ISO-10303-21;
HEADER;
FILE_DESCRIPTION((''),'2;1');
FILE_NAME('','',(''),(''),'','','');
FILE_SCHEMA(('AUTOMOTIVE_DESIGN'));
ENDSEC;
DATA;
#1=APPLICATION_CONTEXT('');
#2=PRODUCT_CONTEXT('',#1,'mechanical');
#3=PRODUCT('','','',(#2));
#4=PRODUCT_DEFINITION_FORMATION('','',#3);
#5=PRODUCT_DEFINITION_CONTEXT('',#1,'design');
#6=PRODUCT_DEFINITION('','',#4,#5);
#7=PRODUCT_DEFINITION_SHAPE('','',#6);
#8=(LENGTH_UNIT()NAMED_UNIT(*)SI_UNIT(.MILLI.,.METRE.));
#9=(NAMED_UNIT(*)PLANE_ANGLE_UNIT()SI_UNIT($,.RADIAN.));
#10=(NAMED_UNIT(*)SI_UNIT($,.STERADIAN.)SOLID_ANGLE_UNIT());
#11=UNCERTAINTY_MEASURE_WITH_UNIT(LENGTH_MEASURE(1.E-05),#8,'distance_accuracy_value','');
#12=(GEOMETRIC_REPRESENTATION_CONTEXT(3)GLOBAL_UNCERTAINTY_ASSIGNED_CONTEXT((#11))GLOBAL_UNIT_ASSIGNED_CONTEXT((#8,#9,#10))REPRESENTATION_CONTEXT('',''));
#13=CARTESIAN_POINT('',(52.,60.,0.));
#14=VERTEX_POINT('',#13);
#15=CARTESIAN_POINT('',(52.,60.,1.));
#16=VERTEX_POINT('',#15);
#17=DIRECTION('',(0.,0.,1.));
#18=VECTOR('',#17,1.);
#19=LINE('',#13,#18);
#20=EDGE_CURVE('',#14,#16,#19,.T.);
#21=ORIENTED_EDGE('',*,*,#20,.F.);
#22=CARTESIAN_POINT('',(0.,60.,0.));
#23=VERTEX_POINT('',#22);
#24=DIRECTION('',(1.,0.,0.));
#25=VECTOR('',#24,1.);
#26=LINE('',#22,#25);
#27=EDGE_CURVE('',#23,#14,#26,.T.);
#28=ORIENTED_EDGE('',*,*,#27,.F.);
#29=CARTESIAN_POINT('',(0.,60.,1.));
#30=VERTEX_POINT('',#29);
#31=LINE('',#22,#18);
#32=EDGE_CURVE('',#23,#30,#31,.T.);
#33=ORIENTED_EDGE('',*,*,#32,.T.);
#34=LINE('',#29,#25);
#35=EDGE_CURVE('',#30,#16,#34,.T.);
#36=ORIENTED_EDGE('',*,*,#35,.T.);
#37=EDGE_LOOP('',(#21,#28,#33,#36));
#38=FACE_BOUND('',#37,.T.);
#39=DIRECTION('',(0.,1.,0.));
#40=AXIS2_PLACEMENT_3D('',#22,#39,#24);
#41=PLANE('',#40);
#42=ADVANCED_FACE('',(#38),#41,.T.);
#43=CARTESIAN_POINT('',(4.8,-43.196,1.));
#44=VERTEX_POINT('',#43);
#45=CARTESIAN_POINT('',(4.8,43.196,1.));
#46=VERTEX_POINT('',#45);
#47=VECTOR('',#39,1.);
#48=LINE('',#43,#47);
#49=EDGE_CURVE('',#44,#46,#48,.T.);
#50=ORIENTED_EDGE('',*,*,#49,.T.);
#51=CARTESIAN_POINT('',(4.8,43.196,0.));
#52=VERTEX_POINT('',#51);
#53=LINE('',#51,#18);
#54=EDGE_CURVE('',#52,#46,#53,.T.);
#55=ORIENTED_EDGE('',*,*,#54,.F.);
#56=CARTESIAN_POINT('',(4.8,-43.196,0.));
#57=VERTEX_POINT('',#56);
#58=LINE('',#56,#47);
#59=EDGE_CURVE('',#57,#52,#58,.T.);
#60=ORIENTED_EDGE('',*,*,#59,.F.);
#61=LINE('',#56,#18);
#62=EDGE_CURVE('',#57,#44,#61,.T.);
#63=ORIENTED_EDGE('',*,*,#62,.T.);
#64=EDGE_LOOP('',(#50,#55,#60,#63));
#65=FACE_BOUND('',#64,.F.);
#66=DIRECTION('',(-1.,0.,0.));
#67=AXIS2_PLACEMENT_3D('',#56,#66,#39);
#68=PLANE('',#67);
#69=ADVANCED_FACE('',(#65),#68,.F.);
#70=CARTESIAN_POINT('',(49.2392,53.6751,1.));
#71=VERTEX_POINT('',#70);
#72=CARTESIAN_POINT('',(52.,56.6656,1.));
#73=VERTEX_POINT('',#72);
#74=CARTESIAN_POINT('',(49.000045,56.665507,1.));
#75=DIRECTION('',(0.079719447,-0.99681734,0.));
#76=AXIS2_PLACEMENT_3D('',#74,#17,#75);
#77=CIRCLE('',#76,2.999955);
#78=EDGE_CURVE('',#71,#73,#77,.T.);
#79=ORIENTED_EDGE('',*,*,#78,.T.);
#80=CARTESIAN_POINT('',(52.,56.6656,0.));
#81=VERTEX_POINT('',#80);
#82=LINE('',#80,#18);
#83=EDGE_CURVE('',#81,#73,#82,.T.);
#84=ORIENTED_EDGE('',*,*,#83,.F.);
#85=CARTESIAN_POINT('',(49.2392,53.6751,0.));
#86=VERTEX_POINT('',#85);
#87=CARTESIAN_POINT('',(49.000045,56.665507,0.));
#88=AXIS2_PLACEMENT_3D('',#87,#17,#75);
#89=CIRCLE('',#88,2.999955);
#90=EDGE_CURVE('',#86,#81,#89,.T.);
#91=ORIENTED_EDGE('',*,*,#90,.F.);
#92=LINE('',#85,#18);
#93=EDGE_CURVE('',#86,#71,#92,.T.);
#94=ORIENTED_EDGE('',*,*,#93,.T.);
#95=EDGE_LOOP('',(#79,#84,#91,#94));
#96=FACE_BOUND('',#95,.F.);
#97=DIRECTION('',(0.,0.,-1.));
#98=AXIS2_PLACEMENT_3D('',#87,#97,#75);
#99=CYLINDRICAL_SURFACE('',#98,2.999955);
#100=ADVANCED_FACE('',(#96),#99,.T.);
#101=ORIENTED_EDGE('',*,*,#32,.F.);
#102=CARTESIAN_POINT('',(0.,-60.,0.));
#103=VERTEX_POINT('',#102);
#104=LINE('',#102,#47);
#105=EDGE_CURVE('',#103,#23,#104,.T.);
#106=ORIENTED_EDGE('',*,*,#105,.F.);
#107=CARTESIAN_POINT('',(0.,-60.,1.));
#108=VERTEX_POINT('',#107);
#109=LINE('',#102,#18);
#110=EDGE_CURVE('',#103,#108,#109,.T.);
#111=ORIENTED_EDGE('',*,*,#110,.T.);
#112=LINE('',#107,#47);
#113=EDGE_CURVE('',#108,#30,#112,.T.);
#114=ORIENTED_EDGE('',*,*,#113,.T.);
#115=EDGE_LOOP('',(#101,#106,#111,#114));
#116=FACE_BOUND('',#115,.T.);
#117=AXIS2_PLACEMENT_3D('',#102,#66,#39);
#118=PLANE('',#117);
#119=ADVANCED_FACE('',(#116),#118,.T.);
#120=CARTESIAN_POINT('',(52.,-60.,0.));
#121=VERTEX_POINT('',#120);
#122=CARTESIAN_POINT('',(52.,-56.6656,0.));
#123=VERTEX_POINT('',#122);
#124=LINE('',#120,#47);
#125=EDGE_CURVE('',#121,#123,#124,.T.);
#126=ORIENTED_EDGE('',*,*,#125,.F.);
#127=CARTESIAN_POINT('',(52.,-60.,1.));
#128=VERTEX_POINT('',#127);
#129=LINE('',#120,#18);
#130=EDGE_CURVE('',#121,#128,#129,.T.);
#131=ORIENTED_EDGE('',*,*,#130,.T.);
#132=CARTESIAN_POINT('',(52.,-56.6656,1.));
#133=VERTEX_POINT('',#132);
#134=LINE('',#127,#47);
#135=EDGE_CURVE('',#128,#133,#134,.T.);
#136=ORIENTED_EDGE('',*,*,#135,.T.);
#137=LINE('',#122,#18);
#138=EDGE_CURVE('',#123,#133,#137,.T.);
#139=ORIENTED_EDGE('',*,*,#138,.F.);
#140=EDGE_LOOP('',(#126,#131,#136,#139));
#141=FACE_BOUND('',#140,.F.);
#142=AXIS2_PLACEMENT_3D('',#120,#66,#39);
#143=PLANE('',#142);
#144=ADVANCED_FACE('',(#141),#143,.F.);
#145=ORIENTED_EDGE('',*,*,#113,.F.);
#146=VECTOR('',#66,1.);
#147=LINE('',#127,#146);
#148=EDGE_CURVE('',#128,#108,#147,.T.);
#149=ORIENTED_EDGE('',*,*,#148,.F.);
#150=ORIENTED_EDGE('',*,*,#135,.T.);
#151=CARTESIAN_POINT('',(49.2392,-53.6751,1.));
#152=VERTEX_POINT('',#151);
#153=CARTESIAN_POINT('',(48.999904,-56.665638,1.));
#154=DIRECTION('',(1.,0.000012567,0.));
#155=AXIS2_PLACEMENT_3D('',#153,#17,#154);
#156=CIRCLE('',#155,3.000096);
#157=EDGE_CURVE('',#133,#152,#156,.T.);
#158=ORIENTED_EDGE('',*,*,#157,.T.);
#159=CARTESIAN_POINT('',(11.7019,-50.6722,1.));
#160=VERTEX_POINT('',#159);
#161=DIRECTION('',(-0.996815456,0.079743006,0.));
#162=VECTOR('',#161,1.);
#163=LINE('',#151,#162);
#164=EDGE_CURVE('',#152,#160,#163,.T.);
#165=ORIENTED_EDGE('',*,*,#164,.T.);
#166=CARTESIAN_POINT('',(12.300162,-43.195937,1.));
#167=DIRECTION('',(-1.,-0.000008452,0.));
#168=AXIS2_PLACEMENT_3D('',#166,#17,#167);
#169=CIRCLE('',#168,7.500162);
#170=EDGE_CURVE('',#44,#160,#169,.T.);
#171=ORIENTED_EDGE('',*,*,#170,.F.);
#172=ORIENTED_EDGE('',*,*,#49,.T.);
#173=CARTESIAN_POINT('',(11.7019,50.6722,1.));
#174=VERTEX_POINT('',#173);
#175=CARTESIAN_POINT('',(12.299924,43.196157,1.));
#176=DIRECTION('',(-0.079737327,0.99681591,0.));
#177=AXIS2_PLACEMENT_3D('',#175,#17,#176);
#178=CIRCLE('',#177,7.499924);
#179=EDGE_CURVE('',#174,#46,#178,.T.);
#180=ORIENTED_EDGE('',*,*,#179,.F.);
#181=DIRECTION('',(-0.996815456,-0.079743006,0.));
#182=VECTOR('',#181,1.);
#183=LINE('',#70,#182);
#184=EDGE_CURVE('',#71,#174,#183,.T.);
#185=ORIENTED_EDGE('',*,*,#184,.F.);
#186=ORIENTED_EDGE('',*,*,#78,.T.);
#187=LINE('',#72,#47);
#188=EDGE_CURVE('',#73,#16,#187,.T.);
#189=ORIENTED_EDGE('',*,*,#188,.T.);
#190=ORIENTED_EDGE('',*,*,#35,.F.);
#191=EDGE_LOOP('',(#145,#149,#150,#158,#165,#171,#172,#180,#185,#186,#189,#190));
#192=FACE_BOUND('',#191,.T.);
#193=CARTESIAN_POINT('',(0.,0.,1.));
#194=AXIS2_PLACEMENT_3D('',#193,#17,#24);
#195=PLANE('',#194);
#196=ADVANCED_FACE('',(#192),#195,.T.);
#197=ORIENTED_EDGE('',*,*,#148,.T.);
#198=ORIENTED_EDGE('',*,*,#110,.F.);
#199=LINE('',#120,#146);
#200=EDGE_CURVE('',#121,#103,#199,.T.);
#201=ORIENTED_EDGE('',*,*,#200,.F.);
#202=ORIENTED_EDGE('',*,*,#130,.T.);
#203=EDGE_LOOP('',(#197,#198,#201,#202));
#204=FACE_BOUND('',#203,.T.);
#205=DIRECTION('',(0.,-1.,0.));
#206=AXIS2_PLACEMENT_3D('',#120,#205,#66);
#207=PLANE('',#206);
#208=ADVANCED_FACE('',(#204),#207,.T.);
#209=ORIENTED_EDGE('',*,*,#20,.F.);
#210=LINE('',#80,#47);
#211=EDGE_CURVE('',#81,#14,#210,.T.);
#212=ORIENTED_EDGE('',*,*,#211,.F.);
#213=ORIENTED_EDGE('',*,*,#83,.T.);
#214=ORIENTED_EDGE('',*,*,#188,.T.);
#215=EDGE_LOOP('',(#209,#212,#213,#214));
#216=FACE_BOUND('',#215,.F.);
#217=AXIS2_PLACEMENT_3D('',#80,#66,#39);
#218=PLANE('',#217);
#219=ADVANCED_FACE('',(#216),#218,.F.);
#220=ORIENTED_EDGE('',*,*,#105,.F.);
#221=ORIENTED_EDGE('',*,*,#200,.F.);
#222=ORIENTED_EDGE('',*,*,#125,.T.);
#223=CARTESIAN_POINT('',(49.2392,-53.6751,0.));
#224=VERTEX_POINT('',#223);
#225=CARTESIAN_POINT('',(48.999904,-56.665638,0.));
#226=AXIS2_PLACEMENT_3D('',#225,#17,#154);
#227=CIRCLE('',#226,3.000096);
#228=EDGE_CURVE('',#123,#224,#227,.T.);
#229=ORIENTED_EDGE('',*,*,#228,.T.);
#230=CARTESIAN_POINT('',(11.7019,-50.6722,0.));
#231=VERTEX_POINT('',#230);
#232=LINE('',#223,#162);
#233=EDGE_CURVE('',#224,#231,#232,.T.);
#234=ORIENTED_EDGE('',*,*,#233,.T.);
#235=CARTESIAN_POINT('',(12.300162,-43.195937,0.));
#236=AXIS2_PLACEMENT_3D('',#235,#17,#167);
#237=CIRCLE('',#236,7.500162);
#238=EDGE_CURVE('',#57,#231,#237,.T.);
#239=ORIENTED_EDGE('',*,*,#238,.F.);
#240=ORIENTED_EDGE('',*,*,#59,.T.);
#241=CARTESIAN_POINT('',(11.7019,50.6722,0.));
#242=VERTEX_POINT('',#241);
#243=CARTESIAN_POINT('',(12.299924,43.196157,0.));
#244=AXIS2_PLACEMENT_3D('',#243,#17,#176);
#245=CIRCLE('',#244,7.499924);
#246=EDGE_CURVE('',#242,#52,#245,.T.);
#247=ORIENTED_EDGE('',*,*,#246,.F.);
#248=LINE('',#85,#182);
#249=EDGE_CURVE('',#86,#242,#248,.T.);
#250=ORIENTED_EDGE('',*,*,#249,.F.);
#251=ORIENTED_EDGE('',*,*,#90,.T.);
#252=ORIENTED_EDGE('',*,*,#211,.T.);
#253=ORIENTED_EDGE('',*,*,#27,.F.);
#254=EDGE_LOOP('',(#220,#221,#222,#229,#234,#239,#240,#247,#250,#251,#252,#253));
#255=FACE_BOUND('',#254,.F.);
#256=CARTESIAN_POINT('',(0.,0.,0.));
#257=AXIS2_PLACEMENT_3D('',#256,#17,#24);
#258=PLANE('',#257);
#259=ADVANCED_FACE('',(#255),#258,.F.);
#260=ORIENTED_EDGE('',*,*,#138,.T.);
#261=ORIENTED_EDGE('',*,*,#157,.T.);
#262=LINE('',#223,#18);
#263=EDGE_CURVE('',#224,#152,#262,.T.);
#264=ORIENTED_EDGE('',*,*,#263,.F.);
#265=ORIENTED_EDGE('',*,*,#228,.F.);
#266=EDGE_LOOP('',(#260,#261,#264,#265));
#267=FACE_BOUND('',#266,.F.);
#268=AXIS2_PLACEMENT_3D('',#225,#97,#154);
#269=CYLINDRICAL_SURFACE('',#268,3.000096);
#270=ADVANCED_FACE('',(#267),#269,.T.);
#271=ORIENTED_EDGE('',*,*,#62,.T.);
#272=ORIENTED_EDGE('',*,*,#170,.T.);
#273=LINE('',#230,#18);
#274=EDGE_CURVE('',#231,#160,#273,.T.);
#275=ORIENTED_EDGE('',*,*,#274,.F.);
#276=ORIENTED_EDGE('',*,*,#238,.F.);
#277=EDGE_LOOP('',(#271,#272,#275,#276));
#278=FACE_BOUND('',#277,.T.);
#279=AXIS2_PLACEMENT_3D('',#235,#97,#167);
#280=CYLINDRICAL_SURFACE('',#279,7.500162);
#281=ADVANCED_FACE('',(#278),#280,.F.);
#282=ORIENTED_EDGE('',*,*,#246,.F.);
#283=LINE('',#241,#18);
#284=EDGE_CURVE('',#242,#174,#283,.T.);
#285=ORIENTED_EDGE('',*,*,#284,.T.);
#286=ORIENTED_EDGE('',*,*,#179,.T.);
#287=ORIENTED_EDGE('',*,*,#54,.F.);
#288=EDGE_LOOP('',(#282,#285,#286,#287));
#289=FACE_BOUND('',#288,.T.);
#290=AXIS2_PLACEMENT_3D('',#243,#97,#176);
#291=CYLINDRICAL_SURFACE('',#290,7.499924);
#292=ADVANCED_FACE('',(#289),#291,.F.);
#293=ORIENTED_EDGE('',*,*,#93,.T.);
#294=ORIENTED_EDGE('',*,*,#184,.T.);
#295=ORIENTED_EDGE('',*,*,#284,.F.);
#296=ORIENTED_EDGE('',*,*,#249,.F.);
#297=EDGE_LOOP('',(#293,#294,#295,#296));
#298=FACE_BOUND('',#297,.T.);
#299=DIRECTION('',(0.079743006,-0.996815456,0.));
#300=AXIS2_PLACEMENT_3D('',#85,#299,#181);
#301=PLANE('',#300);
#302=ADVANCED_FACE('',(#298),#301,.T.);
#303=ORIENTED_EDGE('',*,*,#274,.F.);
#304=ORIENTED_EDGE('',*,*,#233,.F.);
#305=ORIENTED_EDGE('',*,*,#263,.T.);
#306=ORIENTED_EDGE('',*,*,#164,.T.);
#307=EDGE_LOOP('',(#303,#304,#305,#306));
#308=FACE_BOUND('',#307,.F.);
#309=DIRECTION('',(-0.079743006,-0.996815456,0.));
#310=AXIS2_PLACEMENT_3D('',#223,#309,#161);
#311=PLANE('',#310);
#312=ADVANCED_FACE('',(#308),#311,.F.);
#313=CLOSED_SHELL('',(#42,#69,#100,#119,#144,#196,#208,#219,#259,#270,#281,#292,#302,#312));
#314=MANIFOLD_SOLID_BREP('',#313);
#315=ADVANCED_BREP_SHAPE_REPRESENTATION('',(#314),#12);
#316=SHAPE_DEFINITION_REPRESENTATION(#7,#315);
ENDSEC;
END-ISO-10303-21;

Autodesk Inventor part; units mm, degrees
ref_plane "YZ Plane" through (0, 0, 0) normal (1, 0, 0) x (0, 1, 0)
ref_plane "Начальная плоскость" through (0, 0, 0) normal (0, 0, 1) x (1, 0, 0)
ref_plane "Конечная плоскость" through (0, 0, 1) normal (0, 0, 1) x (1, 0, 0)
sketch "Эскиз2" plane through (0, 0, 0) normal (0, 0, 1) x (1, 0, 0)
  line L0 (52, -60) -> (0, -60)
  line L1 (52, -60) -> (52, -56.6656)
  line L2 (49.2392, -53.6751) -> (11.7019, -50.6722)
  line L3 (4.8, -43.196) -> (4.8, 43.196)
  line L4 (49.2392, 53.6751) -> (11.7019, 50.6722)
  line L5 (52, 56.6656) -> (52, 60)
  line L6 (0, 60) -> (52, 60)
  line L7 (0, -60) -> (0, 60)
  arc A0 (4.8, -43.196) -> (11.7019, -50.6722) centre (12.3, -43.196) ccw
  arc A1 (11.7019, 50.6722) -> (4.8, 43.196) centre (12.3, 43.196) ccw
  arc A2 (52, -56.6656) -> (49.2392, -53.6751) centre (49, -56.6656) ccw
  arc A3 (49.2392, 53.6751) -> (52, 56.6656) centre (49, 56.6656) ccw
  line L8 (0, 0) -> (4.8, 0) construction
  line L9 (0, 60) -> (0, -60) construction
  point P0 (52, -53.896)
  point P1 (4.8, -50.12)
  point P2 (4.8, 50.12)
  point P3 (52, 53.896)
  dimension "d22" = 7.5
  dimension "d23" = 3
  dimension "d32" = 4.8
  dimension "d33" = 9.88
  dimension "d34" = 9.88
  dimension "d35" = 120
  dimension "d36" = 52
  dimension "d37" = 6.104
  dimension "d38" = 6.104
  dimension "d39" = 90
extrude "Базовый элемент" add sketch "Эскиз2" along normal up to surface (1 mm away) from surface at 0
sketch "Sketch3" plane through (0, 0, 0) normal (0, 0, 1) x (1, 0, 0)
  line L0 (0, 0) -> (10, 0)
ref_plane "Work Plane7" through (0, 0, 0) normal (0, -1, 0) x (1, 0, 0)
sketch "Sketch4" plane through (0, 0, 0) normal (0, -1, 0) x (1, 0, 0)
  line L0 (-2, 0) -> (12, 0)
  line L1 (-2, 1) -> (12, 1)
  dimension "d29" = 1
equation "\"d22\" = R"
equation "\"d23\" = R1"
equation "\"d16\" = G_L"
equation "\"R1\" = 3"
equation "\"R\" = 7.5"
equation "\"t1\" = 4.8"
equation "\"t2\" = 7.8"
equation "\"b\" = 52"
equation "\"msp_x1\" = 0.04 * b"
equation "\"msp_x2\" = -0.08 * t1 + 0.04 * b"
equation "\"G_L\" = d29"
equation "\"ex\" = 15.70728"
equation "\"G_OFFSET_START\" = 0"
equation "\"G_OFFSET_END\" = 0"
equation "\"d27\" = G_OFFSET_END + B_L"
equation "\"B_L\" = 1"
properties part number "ДСТУ 3436-96" material "С245 ДСТУ 8539"
